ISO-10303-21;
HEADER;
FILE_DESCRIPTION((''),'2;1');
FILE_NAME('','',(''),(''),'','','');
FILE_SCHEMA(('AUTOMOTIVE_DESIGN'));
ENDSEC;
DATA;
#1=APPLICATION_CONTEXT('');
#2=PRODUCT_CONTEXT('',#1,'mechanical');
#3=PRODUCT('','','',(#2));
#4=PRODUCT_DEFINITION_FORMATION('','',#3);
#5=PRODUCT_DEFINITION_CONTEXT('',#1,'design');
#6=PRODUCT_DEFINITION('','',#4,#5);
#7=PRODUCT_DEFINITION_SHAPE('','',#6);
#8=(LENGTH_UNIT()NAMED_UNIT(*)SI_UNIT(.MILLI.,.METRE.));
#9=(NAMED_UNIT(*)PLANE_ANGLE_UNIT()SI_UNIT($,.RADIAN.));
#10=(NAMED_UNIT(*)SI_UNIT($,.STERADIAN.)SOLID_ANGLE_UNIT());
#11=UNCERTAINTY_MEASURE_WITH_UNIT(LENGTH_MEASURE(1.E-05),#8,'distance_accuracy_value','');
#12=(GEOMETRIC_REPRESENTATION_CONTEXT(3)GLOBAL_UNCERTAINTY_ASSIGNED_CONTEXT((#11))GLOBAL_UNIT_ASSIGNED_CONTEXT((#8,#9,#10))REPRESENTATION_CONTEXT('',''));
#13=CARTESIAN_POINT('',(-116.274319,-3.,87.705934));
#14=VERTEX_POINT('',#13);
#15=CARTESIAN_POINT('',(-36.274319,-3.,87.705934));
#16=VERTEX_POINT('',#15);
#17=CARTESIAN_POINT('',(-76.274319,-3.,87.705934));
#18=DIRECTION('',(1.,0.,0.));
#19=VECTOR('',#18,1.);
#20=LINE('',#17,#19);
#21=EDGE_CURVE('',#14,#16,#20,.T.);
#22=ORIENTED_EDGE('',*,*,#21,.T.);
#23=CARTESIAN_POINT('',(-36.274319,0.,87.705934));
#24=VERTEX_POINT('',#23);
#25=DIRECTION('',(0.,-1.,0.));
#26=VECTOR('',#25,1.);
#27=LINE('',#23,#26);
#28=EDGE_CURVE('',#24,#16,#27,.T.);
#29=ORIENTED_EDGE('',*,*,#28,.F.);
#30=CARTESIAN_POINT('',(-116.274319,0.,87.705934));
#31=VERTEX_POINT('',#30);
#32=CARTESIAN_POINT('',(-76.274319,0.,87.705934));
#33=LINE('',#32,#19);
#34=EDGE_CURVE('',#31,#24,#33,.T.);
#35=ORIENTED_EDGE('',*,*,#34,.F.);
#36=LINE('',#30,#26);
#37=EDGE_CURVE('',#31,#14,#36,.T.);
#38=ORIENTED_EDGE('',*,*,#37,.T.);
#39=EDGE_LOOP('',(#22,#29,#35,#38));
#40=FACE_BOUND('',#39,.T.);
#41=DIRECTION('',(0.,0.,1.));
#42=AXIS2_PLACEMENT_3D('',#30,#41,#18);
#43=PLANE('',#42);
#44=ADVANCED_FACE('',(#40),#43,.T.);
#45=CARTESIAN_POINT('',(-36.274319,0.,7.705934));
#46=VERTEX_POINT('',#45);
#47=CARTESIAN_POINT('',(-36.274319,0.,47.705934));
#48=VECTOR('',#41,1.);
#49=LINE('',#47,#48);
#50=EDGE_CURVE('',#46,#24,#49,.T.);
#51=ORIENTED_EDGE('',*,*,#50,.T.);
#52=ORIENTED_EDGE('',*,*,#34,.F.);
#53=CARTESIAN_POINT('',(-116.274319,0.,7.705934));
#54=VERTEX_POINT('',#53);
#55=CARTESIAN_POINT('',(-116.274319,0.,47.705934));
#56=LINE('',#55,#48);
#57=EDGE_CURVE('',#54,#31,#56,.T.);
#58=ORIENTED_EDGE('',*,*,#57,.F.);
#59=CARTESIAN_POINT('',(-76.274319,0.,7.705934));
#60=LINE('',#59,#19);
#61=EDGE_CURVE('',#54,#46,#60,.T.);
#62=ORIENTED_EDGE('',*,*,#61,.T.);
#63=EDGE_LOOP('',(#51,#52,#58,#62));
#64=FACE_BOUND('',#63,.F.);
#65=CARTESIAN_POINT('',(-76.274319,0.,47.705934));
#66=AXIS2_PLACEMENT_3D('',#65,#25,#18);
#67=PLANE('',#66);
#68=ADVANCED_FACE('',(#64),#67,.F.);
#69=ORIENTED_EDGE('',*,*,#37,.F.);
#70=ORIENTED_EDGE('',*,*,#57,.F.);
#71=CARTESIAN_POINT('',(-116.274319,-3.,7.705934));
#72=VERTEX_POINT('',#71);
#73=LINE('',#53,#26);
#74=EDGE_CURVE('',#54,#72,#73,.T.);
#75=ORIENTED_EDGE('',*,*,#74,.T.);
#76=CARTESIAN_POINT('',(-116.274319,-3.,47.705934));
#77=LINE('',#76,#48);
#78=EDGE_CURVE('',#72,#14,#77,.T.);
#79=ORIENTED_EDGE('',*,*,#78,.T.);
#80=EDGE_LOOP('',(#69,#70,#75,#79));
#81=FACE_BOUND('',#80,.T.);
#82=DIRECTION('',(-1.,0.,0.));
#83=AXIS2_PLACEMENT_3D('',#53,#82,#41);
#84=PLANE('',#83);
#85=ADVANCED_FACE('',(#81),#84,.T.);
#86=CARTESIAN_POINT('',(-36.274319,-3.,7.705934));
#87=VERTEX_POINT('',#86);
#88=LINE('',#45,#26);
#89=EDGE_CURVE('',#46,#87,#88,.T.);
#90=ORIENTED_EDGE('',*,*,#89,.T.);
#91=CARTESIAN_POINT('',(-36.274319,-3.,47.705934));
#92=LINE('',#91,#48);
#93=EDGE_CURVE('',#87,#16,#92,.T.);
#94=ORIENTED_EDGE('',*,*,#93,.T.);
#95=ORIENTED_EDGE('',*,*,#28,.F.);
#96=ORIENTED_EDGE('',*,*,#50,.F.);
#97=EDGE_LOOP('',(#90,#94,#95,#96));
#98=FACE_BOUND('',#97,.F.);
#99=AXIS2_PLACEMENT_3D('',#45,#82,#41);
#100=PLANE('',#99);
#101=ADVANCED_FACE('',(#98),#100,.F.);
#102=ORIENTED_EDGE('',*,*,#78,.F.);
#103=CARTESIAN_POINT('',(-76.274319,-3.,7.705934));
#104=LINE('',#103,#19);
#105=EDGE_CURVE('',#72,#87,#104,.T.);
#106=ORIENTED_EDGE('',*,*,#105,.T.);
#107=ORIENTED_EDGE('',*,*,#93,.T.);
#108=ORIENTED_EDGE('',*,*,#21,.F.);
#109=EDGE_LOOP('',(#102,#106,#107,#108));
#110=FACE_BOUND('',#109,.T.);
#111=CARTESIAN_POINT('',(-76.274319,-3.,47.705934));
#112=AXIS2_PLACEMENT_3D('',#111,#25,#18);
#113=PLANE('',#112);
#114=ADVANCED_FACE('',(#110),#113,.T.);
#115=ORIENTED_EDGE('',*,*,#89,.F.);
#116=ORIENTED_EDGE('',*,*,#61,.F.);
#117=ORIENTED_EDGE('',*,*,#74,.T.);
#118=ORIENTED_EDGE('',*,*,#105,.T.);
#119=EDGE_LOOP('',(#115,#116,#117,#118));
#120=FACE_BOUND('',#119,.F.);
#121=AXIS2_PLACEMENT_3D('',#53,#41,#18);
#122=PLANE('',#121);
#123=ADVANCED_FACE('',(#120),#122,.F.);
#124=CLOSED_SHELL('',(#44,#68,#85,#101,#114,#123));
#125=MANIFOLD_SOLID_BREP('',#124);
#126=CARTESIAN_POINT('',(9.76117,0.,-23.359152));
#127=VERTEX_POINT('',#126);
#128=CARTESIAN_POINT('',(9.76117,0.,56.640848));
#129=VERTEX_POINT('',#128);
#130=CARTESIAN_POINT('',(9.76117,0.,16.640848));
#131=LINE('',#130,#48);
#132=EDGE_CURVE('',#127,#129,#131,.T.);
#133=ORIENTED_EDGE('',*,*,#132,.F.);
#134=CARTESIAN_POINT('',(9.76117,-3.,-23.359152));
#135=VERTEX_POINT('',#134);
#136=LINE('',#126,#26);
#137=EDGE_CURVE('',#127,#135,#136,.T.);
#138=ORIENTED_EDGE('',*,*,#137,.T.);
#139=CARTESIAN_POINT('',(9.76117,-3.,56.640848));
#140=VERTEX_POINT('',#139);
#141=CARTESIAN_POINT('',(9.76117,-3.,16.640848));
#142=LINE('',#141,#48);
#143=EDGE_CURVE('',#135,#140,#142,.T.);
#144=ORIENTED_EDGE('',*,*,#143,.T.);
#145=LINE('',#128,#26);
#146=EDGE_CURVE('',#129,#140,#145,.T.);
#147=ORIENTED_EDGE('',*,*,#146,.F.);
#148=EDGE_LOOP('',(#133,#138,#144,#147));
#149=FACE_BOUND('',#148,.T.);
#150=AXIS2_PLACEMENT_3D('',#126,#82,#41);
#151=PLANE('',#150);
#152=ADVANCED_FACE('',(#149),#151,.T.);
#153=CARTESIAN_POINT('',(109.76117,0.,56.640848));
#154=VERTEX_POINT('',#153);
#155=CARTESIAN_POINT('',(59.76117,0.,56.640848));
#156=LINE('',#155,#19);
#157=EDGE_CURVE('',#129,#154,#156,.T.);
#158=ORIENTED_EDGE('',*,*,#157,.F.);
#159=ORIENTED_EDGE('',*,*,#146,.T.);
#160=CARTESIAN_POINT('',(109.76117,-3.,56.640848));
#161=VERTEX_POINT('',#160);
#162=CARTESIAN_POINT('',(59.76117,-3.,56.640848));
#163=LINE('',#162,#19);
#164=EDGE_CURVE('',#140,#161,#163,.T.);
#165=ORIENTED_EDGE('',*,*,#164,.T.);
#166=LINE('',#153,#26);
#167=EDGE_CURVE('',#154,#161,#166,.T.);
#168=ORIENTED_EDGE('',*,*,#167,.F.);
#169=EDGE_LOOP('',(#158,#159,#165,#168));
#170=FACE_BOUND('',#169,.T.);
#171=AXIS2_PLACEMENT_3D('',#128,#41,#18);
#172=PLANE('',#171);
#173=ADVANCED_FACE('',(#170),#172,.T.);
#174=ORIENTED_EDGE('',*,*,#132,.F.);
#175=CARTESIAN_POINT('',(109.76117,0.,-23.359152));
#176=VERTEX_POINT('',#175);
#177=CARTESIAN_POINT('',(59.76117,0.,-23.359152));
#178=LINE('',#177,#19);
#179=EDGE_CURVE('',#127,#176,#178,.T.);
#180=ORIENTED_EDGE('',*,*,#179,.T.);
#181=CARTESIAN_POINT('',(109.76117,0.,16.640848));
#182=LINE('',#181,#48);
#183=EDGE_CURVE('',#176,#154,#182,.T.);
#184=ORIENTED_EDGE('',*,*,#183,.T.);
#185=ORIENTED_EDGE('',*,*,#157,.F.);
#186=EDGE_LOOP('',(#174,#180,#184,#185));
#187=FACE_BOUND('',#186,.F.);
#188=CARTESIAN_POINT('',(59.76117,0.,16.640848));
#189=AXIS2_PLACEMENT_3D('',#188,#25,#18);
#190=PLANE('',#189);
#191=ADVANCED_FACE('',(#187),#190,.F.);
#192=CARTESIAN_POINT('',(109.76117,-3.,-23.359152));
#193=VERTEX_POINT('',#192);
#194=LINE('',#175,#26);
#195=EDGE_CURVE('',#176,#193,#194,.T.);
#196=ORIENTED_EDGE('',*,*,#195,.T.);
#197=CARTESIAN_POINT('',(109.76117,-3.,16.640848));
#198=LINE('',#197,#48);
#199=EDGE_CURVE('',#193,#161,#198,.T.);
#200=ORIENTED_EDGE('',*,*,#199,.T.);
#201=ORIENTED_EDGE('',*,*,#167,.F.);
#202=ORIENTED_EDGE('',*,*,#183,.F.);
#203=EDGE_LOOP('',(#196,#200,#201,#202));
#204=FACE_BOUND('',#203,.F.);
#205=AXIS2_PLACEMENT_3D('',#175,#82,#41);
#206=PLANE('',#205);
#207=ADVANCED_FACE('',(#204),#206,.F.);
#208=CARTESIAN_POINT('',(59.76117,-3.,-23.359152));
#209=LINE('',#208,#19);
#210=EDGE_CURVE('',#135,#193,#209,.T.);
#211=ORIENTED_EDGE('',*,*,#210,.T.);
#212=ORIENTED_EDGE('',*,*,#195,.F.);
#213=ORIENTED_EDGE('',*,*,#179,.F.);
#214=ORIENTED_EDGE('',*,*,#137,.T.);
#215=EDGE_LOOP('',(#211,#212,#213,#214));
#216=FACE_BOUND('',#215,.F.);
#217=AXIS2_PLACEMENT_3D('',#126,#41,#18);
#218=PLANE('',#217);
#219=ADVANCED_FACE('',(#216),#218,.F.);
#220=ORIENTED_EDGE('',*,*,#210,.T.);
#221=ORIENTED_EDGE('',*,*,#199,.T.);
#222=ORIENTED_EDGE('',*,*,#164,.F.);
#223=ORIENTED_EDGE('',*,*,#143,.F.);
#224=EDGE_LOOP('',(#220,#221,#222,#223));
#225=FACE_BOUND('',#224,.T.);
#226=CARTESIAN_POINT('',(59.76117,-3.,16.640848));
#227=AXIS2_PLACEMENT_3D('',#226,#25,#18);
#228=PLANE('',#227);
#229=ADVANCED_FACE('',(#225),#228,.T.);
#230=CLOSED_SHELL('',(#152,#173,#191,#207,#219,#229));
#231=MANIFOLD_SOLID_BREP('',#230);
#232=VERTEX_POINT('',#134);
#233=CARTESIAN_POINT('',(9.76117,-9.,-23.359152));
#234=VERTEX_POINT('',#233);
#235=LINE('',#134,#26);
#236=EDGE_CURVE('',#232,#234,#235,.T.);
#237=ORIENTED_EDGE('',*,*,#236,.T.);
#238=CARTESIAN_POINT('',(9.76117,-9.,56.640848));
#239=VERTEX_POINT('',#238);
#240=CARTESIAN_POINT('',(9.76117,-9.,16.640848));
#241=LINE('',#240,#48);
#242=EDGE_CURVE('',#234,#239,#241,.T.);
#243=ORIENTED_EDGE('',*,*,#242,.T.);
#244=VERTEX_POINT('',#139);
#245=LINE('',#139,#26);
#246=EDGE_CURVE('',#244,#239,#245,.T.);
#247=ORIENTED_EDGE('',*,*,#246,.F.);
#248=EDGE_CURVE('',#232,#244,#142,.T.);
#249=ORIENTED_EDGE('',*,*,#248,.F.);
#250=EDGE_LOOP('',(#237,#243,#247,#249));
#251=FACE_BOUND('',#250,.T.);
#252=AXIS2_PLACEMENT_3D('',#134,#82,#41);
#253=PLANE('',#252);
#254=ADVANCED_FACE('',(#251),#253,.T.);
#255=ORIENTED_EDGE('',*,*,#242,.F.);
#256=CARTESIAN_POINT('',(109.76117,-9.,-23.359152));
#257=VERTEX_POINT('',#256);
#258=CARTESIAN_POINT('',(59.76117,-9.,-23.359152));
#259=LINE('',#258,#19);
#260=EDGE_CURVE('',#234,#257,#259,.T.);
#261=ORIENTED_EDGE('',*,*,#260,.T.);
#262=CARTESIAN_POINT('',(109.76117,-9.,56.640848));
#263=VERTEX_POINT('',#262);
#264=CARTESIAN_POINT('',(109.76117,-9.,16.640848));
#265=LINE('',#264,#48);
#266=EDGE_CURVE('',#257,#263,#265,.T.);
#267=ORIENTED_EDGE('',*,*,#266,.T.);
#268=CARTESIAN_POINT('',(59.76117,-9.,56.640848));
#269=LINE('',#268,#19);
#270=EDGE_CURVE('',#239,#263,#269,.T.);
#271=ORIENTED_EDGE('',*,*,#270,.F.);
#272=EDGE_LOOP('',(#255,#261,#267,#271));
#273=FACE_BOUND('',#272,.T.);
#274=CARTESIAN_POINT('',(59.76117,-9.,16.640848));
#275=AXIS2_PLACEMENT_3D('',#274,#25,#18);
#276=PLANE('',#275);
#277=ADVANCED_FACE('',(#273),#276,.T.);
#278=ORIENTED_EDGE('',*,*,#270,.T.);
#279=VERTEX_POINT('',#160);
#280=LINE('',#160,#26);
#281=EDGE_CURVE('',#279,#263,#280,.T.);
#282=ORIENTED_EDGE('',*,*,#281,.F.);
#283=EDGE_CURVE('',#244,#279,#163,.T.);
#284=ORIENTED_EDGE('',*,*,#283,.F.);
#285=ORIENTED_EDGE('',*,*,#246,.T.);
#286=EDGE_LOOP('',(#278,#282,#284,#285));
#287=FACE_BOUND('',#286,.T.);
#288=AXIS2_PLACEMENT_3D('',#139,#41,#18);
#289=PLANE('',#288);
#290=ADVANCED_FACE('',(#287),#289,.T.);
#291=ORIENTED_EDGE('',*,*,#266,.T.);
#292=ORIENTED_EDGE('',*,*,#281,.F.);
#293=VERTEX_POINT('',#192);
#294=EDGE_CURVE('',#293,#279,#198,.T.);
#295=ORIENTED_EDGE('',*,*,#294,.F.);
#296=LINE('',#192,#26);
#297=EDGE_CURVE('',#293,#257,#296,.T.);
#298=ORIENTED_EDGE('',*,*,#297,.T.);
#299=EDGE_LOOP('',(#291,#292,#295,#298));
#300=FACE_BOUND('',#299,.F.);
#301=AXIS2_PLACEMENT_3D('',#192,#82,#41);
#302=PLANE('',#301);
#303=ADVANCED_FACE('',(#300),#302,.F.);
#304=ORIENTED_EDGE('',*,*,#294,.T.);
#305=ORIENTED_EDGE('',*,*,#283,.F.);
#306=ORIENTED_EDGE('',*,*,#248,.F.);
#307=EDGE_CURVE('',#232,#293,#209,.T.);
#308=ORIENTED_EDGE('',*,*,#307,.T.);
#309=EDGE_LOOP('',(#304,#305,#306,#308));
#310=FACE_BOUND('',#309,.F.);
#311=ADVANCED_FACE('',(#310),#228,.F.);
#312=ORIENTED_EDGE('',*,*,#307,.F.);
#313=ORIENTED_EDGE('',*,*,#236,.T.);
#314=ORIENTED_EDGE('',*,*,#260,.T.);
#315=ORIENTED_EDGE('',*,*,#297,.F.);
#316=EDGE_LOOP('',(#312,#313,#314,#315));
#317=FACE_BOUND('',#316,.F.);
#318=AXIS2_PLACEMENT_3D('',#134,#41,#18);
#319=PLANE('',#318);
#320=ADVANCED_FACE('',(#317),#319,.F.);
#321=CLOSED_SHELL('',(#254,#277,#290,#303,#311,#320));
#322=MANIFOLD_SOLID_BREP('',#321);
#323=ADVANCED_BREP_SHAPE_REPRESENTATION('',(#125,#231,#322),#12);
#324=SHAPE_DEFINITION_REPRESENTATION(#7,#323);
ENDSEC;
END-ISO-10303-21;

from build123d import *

# Parameters (mm, degrees)
F0_W      = 80
F0_H      = 80
F0_W_2    = 100
F1_DEPTH  = 3
F1_FACE_W = 100
F1_FACE_H = 80
F2_DEPTH  = 6


with BuildPart() as f1:
    # F0 (on Front) → F1 (new body)
    with BuildSketch(Plane.XZ):
        with Locations((-76.274319, 47.705934)):
            Rectangle(F0_W, F0_H)
        with Locations((59.76117, 16.640848)):
            Rectangle(F0_W_2, F0_H)
    extrude(amount=F1_DEPTH)


with BuildPart() as f2:
    # F1_face (on face) → F2 (new body)
    with BuildSketch(Plane(origin=(59.76117, -3, 16.640848), x_dir=(1, 0, 0), z_dir=(0, -1, 0))):
        Rectangle(F1_FACE_W, F1_FACE_H)
    extrude(amount=F2_DEPTH)


solid = Compound([f1.part, f2.part])
